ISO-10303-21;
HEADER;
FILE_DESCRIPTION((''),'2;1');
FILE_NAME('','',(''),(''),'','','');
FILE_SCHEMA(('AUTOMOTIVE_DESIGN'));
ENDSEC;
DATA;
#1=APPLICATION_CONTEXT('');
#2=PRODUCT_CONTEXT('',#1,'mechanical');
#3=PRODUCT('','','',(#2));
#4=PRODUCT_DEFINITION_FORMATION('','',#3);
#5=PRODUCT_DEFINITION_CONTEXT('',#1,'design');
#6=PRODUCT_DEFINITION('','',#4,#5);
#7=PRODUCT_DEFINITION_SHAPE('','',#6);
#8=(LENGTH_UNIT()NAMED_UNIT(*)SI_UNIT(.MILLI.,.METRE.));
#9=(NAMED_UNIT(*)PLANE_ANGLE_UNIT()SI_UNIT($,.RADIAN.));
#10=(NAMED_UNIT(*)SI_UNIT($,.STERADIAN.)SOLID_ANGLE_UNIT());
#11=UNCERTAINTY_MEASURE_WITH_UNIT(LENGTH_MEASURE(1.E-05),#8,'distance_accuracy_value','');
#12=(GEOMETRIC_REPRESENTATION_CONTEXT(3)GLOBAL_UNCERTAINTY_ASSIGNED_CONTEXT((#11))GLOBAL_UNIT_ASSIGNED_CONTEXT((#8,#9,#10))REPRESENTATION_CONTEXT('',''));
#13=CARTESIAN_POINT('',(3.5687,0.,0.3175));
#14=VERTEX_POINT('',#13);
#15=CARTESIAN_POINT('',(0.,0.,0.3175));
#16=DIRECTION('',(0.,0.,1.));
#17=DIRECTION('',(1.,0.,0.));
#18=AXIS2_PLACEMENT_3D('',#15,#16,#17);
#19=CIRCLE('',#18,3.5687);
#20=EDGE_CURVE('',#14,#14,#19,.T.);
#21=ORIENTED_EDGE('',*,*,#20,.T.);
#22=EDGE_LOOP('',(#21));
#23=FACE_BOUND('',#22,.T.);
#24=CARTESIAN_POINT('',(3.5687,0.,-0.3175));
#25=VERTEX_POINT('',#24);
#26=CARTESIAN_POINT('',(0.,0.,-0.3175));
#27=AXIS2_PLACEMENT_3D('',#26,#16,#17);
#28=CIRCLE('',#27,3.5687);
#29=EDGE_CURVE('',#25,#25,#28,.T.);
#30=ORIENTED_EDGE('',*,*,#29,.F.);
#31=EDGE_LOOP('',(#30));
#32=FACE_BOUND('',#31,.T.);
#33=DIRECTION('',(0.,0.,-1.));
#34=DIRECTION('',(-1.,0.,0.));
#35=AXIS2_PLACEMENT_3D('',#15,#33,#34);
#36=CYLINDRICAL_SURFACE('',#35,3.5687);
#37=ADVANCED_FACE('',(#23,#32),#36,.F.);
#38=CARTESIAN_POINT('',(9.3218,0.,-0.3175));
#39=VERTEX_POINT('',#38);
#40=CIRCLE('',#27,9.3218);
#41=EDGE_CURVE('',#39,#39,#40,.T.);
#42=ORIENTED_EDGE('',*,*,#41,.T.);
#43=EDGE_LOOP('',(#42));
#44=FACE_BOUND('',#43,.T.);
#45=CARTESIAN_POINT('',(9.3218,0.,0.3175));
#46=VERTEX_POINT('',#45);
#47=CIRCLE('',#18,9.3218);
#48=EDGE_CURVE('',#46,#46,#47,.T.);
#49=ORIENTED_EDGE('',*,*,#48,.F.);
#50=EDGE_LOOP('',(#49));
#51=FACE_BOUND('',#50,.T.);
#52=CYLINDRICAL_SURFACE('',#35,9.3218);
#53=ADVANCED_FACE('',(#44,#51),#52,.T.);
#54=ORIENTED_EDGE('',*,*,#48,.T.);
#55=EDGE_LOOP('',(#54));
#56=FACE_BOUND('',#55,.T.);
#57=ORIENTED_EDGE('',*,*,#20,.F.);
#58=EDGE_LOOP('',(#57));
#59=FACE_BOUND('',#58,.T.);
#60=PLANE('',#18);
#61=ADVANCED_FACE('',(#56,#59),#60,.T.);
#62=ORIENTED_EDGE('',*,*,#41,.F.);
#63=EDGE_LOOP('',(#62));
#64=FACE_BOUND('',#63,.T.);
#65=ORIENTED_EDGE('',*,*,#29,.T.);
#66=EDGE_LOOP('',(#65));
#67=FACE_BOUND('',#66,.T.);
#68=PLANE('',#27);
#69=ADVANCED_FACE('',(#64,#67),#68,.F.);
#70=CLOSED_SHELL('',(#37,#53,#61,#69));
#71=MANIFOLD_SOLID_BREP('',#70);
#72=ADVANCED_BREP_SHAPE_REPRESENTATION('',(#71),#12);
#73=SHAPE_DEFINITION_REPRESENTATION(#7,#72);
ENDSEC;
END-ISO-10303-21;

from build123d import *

# Parameters (mm, degrees)
BOSS_EXTRUDE1_DEPTH      = 0.3175
BOSS_EXTRUDE1_DEPTH_BACK = 0.3175
SKETCH3_R                = 9.3218
SKETCH3_R_2              = 3.5687


with BuildPart() as part:
    # Sketch3 → Boss-Extrude1 (new, two sides: drawn at the far end of the back side and taken through both)
    with BuildSketch(Plane.XY.offset(-BOSS_EXTRUDE1_DEPTH_BACK)):
        Circle(SKETCH3_R)
        Circle(SKETCH3_R_2, mode=Mode.SUBTRACT)
    extrude(amount=BOSS_EXTRUDE1_DEPTH + BOSS_EXTRUDE1_DEPTH_BACK)


solid = part.part
